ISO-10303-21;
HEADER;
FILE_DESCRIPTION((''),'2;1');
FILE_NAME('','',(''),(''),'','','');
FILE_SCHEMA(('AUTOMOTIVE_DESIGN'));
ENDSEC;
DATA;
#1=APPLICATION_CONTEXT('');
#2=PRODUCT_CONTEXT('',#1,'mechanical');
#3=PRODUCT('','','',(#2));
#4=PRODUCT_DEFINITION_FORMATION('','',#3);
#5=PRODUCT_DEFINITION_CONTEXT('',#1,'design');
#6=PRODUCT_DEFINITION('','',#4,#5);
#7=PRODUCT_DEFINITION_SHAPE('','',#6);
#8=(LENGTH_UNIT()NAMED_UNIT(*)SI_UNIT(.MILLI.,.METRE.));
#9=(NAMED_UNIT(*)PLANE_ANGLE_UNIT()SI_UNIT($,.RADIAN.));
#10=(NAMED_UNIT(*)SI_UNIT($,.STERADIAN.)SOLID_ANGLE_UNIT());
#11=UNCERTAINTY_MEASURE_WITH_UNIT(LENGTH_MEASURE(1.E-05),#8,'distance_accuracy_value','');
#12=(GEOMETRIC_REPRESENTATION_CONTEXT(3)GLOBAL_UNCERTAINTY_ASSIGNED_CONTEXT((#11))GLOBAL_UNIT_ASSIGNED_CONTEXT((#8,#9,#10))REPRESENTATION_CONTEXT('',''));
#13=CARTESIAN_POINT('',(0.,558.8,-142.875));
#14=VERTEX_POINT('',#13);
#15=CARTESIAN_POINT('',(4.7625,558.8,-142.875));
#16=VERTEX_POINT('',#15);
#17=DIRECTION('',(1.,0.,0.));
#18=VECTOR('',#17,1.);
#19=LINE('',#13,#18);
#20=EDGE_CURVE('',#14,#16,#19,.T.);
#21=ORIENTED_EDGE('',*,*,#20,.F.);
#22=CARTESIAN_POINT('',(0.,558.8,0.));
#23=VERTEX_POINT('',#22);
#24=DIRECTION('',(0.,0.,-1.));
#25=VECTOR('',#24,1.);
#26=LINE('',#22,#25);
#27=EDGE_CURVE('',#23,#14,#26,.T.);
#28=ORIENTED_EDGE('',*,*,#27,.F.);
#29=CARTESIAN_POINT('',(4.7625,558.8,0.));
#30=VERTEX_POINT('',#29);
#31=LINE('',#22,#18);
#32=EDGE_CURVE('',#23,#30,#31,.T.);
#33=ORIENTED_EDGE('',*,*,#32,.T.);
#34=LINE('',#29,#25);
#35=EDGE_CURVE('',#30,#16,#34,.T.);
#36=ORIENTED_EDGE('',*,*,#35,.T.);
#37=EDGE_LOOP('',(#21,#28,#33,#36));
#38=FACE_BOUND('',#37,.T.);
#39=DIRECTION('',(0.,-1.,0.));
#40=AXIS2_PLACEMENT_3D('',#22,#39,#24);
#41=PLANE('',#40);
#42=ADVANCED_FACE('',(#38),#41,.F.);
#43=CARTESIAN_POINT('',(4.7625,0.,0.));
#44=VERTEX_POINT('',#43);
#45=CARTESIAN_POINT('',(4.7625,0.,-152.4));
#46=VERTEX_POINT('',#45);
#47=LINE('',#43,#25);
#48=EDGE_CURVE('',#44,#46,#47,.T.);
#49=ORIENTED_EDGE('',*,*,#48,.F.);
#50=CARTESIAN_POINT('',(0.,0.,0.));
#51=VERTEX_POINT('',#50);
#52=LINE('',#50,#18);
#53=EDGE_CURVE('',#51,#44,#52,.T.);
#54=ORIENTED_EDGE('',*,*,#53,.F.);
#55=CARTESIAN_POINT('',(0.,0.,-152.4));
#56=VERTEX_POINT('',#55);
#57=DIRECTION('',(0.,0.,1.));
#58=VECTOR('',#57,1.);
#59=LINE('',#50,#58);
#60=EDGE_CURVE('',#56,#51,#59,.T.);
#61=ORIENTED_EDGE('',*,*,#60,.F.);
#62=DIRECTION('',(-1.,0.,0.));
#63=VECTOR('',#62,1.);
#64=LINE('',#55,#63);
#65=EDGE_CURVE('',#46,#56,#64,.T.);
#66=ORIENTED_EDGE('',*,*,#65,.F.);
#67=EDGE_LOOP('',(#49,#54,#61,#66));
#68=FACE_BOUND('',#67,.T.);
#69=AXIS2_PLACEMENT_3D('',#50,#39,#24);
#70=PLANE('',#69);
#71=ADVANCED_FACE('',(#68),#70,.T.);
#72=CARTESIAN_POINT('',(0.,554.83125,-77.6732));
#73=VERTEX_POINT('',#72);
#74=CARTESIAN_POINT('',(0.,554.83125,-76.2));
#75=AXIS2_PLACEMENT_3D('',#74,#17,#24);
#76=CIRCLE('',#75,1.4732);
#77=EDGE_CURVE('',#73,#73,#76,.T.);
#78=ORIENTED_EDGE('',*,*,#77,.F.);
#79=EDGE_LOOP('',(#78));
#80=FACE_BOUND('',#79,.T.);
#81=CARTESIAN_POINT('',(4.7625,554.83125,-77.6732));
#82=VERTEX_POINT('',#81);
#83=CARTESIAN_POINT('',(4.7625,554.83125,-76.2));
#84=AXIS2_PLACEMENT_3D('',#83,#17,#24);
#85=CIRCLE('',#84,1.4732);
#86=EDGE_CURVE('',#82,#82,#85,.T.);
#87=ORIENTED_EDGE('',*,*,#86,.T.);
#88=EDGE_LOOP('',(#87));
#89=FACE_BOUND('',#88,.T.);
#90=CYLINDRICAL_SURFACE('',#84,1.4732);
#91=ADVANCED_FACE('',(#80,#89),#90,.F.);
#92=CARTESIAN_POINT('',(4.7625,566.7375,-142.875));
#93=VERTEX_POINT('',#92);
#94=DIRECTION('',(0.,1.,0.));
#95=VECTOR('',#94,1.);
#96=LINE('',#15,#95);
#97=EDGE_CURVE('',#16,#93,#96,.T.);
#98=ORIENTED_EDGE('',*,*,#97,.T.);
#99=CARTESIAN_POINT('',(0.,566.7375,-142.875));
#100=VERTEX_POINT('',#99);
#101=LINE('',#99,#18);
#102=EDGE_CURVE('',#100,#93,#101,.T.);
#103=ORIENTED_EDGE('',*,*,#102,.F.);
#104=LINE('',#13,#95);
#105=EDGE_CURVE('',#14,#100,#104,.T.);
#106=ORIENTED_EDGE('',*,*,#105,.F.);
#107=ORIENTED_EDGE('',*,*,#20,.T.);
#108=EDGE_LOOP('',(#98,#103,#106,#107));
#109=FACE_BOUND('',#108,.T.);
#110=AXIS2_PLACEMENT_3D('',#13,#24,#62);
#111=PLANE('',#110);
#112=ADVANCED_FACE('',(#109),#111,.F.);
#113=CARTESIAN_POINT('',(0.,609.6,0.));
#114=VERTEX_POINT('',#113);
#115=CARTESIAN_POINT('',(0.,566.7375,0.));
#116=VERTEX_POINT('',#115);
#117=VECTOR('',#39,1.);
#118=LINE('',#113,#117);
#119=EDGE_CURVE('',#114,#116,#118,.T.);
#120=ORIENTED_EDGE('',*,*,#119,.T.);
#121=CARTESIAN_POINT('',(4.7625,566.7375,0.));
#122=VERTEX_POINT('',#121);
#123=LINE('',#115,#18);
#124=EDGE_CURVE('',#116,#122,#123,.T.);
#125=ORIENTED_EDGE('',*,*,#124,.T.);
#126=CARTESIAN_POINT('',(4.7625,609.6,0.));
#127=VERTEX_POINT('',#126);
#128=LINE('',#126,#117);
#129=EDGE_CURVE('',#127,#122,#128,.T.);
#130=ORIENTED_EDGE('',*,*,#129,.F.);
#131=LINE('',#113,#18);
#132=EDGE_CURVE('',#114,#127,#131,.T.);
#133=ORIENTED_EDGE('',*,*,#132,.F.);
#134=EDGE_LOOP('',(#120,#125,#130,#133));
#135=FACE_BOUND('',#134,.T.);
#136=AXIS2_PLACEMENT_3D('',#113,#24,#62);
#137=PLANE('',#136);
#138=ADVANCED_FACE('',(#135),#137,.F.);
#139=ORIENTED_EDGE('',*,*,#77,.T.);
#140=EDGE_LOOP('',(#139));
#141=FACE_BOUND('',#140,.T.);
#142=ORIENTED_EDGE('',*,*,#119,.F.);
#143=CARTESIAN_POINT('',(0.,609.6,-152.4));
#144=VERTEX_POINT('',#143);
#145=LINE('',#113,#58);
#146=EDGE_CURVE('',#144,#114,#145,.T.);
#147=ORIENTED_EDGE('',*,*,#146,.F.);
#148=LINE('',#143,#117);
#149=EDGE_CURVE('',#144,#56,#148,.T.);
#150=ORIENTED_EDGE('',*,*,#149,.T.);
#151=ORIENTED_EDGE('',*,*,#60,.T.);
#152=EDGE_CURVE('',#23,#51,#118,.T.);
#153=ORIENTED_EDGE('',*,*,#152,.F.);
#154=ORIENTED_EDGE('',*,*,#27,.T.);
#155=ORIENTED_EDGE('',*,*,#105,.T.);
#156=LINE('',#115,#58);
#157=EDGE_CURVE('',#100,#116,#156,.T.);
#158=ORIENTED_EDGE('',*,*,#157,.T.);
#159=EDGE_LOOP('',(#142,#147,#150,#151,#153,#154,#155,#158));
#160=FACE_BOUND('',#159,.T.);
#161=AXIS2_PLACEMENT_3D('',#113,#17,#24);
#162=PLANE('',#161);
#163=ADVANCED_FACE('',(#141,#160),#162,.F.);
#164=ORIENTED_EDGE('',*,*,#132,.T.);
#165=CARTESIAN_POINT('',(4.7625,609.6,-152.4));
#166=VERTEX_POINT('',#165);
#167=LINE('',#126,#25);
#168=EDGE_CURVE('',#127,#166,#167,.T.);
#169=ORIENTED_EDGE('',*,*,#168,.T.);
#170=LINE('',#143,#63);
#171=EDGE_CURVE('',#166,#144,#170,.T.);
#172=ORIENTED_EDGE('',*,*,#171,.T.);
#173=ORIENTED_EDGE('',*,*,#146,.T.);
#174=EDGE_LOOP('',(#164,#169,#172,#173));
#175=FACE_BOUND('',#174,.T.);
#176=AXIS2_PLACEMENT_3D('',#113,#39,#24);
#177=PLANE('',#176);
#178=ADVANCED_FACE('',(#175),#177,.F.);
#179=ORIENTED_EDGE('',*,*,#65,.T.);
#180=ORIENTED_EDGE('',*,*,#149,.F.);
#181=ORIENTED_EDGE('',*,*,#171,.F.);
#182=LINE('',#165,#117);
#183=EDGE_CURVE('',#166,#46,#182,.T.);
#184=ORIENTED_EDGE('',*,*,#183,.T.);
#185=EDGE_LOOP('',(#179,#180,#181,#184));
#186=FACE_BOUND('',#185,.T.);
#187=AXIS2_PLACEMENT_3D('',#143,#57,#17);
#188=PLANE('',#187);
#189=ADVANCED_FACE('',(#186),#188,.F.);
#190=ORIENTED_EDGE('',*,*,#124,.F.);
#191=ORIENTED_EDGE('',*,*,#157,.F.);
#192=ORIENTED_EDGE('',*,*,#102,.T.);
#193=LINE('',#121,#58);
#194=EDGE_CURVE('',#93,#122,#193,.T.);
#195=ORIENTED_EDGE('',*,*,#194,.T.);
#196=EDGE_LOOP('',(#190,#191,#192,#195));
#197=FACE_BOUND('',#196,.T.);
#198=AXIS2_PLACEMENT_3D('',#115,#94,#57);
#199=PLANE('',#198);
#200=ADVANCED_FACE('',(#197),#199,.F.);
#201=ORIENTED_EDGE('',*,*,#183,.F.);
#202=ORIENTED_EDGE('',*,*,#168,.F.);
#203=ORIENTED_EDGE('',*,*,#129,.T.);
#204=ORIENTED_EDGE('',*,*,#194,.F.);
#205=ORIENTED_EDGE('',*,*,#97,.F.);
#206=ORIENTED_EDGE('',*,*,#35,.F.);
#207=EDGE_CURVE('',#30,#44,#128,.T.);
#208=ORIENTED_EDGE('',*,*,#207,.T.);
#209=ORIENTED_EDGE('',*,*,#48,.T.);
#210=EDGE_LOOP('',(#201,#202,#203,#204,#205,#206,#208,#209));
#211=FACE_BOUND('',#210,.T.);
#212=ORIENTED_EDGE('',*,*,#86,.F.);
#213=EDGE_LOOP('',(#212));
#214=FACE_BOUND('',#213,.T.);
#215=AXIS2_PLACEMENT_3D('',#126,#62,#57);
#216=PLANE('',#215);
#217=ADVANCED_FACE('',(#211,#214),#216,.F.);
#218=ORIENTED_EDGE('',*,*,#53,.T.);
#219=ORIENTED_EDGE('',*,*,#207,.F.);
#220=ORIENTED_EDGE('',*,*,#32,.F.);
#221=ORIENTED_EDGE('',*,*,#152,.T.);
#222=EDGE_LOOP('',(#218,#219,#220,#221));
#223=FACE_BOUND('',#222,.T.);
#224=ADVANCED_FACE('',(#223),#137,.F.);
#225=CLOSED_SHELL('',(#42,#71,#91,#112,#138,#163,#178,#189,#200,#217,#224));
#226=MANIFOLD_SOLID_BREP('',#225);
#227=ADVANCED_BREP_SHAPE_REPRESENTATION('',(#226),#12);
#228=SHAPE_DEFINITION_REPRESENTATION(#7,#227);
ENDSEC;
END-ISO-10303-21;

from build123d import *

# Parameters (mm, degrees)
SKETCH1_W             = 4.7625
SKETCH1_H             = 152.4
BOSS_EXTRUDE1_DEPTH   = 609.6
SKETCH2_W             = 142.875
SKETCH2_H             = 7.9375
CUT_EXTRUDE1_DEPTH    = 629.379345146
F_4_CLEARANCE_HOLE1_D = 2.9464


with BuildPart() as part:
    # Sketch1 → Boss-Extrude1 (new body)
    with BuildSketch(Plane(origin=(0, 0, 0), x_dir=(1, 0, 0), z_dir=(0, 1, 0))):
        with Locations((2.38125, 76.2)):
            Rectangle(SKETCH1_W, SKETCH1_H)
    extrude(amount=BOSS_EXTRUDE1_DEPTH)

    # Sketch2 → Cut-Extrude1 (cut, through all)
    with BuildSketch(Plane(origin=(4.7625, 0, 0), x_dir=(0, 0, -1), z_dir=(1, 0, 0))):
        with Locations((71.4375, 562.76875)):
            Rectangle(SKETCH2_W, SKETCH2_H)
    extrude(amount=-CUT_EXTRUDE1_DEPTH, mode=Mode.SUBTRACT)

    # #4 Clearance Hole1 (through all)
    with Locations(Plane(origin=(4.7625, 0, 0), x_dir=(0, 0, -1), z_dir=(1, 0, 0))):
        with Locations((76.2, 554.83125)):
            Hole(F_4_CLEARANCE_HOLE1_D / 2)


solid = part.part
